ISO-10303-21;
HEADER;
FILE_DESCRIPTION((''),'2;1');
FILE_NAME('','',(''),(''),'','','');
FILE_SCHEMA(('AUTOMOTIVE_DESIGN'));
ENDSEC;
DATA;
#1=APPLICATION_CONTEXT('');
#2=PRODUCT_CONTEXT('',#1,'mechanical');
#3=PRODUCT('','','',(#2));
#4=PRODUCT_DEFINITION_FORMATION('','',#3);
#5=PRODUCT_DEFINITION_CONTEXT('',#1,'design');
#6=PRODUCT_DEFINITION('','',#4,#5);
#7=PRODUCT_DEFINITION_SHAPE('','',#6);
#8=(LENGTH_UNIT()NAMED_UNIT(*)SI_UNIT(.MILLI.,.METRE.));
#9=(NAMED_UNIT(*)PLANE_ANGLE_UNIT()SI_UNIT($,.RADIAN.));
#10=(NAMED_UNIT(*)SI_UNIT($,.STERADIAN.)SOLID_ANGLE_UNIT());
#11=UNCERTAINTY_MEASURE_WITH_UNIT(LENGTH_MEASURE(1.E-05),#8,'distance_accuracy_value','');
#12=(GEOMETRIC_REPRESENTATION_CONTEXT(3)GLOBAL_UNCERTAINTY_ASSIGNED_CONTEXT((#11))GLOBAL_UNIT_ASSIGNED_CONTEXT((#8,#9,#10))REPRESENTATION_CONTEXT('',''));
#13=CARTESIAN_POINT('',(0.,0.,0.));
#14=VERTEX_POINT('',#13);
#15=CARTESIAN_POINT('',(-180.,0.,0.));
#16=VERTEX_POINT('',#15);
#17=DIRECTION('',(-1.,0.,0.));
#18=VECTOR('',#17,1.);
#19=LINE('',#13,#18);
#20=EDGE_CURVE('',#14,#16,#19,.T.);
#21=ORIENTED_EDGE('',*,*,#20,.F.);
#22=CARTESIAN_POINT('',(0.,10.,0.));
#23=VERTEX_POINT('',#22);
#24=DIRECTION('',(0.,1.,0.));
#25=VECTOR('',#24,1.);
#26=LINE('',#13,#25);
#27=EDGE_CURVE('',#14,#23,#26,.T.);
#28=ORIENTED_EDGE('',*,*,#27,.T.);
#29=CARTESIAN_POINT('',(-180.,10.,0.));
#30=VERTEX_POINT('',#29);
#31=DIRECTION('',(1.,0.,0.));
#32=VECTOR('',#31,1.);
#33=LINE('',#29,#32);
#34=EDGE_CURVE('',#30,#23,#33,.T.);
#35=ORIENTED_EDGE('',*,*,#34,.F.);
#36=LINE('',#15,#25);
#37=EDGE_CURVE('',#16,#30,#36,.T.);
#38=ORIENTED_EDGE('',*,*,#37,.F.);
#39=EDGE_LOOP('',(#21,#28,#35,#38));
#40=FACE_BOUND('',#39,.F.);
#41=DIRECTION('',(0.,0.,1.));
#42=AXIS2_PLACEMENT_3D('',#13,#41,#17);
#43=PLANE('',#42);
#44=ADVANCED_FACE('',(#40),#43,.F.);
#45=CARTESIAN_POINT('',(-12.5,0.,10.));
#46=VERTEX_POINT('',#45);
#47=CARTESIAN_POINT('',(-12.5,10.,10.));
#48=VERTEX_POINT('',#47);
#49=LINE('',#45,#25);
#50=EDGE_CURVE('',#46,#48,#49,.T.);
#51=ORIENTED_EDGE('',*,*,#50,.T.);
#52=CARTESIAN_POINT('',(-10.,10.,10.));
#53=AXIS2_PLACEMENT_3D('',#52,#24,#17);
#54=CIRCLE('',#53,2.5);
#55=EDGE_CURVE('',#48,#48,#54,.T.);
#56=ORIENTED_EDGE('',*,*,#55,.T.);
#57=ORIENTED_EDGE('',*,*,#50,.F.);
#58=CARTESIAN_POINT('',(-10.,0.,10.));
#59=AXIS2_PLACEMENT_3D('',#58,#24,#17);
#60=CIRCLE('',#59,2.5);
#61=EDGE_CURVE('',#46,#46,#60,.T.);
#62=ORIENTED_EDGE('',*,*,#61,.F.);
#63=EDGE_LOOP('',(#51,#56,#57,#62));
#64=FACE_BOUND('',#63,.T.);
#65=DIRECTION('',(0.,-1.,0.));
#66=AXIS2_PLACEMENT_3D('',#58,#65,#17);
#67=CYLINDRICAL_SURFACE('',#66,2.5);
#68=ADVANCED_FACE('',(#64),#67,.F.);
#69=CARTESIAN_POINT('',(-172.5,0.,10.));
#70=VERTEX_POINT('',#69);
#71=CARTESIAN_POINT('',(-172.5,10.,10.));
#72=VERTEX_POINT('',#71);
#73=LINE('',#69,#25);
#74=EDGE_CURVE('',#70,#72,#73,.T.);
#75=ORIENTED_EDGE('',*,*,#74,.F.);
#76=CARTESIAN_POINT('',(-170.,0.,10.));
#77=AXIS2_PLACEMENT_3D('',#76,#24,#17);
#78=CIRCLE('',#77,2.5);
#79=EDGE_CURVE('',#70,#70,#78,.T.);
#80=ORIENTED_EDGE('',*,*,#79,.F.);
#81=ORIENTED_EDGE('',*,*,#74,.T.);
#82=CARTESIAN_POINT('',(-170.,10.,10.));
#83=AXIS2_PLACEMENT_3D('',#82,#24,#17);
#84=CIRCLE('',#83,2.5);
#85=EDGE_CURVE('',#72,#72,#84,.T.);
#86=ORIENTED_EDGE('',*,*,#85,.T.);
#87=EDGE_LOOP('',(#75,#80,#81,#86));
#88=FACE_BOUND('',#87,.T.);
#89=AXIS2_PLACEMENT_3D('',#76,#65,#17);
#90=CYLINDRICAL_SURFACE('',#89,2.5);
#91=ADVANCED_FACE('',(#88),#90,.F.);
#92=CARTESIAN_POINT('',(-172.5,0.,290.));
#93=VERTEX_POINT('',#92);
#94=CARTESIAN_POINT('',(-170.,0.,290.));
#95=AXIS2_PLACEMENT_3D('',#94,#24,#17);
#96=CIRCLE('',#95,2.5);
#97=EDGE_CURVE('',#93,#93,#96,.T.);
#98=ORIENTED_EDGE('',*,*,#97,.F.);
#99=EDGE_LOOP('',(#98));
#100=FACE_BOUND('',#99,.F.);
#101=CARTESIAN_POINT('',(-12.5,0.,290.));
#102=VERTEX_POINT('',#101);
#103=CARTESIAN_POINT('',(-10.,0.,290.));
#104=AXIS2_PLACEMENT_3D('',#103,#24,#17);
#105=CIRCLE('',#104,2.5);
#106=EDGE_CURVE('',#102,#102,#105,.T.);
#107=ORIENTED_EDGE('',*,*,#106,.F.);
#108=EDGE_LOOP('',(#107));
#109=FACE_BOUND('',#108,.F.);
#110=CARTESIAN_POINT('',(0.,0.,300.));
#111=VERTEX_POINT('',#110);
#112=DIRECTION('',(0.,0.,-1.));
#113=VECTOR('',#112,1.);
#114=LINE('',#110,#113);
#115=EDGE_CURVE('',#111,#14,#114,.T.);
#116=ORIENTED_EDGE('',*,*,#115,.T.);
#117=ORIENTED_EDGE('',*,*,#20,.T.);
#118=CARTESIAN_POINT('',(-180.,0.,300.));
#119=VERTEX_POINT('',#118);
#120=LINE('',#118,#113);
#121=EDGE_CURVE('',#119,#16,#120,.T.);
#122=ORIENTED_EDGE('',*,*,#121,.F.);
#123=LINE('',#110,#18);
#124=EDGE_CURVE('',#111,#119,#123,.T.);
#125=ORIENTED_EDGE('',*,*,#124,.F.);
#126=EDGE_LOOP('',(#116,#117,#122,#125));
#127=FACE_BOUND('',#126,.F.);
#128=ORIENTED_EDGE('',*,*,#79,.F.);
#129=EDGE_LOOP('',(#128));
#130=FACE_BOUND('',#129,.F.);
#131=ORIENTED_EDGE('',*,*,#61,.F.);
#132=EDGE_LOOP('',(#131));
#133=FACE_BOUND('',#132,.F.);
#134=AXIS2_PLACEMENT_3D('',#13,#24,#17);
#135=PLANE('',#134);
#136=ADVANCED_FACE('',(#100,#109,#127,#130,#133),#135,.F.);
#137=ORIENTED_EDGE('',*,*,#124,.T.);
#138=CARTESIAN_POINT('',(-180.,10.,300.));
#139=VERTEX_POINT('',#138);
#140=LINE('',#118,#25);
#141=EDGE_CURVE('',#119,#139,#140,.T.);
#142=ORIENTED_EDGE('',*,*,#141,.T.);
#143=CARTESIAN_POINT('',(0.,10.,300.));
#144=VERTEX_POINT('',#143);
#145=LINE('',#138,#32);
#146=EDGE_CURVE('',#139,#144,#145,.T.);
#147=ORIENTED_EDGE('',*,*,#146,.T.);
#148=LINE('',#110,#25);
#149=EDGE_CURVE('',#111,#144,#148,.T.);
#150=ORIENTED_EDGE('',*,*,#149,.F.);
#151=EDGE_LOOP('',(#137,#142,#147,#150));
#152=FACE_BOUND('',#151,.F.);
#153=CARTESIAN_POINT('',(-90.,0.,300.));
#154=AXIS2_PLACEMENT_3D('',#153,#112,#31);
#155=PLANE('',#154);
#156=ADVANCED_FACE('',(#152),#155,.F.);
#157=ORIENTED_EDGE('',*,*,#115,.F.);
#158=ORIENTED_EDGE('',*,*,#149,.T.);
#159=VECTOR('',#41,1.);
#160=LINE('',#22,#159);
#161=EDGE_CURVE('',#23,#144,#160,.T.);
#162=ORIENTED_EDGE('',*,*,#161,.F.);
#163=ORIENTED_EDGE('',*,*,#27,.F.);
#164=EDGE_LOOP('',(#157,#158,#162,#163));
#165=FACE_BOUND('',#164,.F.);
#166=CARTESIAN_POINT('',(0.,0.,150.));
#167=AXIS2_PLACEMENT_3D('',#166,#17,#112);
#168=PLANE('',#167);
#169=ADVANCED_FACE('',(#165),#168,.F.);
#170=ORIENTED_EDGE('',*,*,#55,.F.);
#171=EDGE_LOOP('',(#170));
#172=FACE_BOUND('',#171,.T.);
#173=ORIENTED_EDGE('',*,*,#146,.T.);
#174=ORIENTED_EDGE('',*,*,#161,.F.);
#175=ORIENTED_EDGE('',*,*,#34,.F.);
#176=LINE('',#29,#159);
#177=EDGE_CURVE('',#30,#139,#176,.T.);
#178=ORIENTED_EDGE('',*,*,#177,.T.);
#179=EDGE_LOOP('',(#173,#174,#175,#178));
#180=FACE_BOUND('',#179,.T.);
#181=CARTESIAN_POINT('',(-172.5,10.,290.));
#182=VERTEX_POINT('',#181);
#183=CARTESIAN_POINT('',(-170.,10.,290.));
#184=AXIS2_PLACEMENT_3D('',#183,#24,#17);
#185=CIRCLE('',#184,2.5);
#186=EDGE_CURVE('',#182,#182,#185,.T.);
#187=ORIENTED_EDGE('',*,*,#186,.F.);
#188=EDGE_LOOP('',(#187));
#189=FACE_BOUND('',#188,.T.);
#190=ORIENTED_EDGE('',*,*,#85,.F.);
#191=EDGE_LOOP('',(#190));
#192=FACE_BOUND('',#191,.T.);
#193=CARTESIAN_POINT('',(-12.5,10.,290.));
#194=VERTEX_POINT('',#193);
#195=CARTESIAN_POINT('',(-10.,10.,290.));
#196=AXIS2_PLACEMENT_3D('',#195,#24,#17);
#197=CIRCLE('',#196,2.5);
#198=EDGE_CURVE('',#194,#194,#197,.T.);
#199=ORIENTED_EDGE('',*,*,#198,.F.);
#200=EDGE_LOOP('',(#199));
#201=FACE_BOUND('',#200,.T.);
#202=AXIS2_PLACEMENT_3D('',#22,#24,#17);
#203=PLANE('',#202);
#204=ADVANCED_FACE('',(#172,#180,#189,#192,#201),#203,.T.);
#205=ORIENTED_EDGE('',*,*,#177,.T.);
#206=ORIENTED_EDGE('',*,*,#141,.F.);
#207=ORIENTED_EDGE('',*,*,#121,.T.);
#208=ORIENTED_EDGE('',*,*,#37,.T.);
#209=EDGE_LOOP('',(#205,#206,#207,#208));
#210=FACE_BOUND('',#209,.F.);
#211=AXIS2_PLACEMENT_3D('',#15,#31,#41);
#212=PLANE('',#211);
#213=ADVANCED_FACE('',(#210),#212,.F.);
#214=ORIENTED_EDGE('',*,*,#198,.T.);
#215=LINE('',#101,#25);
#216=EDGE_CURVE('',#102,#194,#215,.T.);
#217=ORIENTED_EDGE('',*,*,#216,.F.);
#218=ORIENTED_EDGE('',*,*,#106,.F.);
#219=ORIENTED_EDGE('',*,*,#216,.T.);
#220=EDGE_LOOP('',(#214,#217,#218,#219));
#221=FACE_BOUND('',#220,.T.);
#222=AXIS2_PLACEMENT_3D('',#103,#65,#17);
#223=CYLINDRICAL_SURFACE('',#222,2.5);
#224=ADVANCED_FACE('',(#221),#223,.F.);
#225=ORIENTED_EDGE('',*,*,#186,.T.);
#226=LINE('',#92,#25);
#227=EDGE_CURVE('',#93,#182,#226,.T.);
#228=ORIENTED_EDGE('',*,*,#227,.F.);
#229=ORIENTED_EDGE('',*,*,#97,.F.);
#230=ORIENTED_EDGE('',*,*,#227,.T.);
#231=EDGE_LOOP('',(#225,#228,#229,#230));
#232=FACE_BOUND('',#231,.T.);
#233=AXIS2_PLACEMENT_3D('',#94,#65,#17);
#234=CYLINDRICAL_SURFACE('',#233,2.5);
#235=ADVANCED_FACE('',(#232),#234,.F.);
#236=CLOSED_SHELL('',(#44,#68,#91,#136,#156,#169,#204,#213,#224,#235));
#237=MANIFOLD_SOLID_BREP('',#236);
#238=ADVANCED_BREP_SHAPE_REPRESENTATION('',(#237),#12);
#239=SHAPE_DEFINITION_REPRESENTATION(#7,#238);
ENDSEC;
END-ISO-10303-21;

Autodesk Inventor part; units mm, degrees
ref_plane "YZ Plane" through (0, 0, 0) normal (1, 0, 0) x (0, 1, 0)
ref_plane "XZ Plane" through (0, 0, 0) normal (0, 1, 0) x (-1, 0, 0)
ref_plane "XY Plane" through (0, 0, 0) normal (0, 0, 1) x (1, 0, 0)
sketch "Block1" plane through (0, 0, 0) normal (0, 0, 1) x (1, 0, 0)
  line L0 (-180.22, 0.22) -> (0.22, 0.22)
  line L1 (0.22, 0.22) -> (0.22, -300.22)
  line L2 (0.22, -300.22) -> (-180.22, -300.22)
  line L3 (-180.22, -300.22) -> (-180.22, 0.22)
  circle A0 centre (-170, -10) radius 2.72
  circle A1 centre (-10, -10) radius 2.72
  circle A2 centre (-170, -290) radius 2.72
  circle A3 centre (-10, -290) radius 2.72
  point P0 (-90, -150)
sketch "Sketch1" plane through (0, 0, 0) normal (0, 1, 0) x (-1, 0, 0)
  line L0 (0, 0) -> (180, 0)
  line L1 (180, 0) -> (180, 300)
  line L2 (180, 300) -> (0, 300)
  line L3 (0, 300) -> (0, 0)
  circle A0 centre (170, 10) radius 2.5
  line L4 (90, -51.0064) -> (90, 353.269)
  line L5 (216.4039, 150) -> (-14.4683, 150)
  circle A1 centre (10, 10) radius 2.5
  circle A2 centre (170, 290) radius 2.5
  circle A3 centre (10, 290) radius 2.5
  dimension "d0" = 180
  dimension "d1" = 300
  dimension "d4" = 5
  dimension "d5" = 10
  dimension "d6" = 10
  dimension "d7" = 90
  dimension "d8" = 150
extrude "Extrusion2" add sketch "Sketch1" along normal blind 10
sketch "Sketch2" plane through (0, 10, 0) normal (0, 1, 0) x (1, 0, 0)
  circle A0 centre (-10, -290) radius 2.5 projected
  circle A1 centre (-170, -290) radius 2.5 projected
  circle A2 centre (-10, -10) radius 2.5 projected
  circle A3 centre (-170, -10) radius 2.5 projected
  line L0 (0, 0) -> (-180, 0) projected
  line L1 (-180, 0) -> (-180, -300) projected
  line L2 (-180, -300) -> (0, -300) projected
  line L3 (0, -300) -> (0, 0) projected
sketch "DXF" plane through (0, 0, 0) normal (0, 1, 0) x (-1, 0, 0)
  point P0 (0, 0)
properties part number "sideplate_top"
